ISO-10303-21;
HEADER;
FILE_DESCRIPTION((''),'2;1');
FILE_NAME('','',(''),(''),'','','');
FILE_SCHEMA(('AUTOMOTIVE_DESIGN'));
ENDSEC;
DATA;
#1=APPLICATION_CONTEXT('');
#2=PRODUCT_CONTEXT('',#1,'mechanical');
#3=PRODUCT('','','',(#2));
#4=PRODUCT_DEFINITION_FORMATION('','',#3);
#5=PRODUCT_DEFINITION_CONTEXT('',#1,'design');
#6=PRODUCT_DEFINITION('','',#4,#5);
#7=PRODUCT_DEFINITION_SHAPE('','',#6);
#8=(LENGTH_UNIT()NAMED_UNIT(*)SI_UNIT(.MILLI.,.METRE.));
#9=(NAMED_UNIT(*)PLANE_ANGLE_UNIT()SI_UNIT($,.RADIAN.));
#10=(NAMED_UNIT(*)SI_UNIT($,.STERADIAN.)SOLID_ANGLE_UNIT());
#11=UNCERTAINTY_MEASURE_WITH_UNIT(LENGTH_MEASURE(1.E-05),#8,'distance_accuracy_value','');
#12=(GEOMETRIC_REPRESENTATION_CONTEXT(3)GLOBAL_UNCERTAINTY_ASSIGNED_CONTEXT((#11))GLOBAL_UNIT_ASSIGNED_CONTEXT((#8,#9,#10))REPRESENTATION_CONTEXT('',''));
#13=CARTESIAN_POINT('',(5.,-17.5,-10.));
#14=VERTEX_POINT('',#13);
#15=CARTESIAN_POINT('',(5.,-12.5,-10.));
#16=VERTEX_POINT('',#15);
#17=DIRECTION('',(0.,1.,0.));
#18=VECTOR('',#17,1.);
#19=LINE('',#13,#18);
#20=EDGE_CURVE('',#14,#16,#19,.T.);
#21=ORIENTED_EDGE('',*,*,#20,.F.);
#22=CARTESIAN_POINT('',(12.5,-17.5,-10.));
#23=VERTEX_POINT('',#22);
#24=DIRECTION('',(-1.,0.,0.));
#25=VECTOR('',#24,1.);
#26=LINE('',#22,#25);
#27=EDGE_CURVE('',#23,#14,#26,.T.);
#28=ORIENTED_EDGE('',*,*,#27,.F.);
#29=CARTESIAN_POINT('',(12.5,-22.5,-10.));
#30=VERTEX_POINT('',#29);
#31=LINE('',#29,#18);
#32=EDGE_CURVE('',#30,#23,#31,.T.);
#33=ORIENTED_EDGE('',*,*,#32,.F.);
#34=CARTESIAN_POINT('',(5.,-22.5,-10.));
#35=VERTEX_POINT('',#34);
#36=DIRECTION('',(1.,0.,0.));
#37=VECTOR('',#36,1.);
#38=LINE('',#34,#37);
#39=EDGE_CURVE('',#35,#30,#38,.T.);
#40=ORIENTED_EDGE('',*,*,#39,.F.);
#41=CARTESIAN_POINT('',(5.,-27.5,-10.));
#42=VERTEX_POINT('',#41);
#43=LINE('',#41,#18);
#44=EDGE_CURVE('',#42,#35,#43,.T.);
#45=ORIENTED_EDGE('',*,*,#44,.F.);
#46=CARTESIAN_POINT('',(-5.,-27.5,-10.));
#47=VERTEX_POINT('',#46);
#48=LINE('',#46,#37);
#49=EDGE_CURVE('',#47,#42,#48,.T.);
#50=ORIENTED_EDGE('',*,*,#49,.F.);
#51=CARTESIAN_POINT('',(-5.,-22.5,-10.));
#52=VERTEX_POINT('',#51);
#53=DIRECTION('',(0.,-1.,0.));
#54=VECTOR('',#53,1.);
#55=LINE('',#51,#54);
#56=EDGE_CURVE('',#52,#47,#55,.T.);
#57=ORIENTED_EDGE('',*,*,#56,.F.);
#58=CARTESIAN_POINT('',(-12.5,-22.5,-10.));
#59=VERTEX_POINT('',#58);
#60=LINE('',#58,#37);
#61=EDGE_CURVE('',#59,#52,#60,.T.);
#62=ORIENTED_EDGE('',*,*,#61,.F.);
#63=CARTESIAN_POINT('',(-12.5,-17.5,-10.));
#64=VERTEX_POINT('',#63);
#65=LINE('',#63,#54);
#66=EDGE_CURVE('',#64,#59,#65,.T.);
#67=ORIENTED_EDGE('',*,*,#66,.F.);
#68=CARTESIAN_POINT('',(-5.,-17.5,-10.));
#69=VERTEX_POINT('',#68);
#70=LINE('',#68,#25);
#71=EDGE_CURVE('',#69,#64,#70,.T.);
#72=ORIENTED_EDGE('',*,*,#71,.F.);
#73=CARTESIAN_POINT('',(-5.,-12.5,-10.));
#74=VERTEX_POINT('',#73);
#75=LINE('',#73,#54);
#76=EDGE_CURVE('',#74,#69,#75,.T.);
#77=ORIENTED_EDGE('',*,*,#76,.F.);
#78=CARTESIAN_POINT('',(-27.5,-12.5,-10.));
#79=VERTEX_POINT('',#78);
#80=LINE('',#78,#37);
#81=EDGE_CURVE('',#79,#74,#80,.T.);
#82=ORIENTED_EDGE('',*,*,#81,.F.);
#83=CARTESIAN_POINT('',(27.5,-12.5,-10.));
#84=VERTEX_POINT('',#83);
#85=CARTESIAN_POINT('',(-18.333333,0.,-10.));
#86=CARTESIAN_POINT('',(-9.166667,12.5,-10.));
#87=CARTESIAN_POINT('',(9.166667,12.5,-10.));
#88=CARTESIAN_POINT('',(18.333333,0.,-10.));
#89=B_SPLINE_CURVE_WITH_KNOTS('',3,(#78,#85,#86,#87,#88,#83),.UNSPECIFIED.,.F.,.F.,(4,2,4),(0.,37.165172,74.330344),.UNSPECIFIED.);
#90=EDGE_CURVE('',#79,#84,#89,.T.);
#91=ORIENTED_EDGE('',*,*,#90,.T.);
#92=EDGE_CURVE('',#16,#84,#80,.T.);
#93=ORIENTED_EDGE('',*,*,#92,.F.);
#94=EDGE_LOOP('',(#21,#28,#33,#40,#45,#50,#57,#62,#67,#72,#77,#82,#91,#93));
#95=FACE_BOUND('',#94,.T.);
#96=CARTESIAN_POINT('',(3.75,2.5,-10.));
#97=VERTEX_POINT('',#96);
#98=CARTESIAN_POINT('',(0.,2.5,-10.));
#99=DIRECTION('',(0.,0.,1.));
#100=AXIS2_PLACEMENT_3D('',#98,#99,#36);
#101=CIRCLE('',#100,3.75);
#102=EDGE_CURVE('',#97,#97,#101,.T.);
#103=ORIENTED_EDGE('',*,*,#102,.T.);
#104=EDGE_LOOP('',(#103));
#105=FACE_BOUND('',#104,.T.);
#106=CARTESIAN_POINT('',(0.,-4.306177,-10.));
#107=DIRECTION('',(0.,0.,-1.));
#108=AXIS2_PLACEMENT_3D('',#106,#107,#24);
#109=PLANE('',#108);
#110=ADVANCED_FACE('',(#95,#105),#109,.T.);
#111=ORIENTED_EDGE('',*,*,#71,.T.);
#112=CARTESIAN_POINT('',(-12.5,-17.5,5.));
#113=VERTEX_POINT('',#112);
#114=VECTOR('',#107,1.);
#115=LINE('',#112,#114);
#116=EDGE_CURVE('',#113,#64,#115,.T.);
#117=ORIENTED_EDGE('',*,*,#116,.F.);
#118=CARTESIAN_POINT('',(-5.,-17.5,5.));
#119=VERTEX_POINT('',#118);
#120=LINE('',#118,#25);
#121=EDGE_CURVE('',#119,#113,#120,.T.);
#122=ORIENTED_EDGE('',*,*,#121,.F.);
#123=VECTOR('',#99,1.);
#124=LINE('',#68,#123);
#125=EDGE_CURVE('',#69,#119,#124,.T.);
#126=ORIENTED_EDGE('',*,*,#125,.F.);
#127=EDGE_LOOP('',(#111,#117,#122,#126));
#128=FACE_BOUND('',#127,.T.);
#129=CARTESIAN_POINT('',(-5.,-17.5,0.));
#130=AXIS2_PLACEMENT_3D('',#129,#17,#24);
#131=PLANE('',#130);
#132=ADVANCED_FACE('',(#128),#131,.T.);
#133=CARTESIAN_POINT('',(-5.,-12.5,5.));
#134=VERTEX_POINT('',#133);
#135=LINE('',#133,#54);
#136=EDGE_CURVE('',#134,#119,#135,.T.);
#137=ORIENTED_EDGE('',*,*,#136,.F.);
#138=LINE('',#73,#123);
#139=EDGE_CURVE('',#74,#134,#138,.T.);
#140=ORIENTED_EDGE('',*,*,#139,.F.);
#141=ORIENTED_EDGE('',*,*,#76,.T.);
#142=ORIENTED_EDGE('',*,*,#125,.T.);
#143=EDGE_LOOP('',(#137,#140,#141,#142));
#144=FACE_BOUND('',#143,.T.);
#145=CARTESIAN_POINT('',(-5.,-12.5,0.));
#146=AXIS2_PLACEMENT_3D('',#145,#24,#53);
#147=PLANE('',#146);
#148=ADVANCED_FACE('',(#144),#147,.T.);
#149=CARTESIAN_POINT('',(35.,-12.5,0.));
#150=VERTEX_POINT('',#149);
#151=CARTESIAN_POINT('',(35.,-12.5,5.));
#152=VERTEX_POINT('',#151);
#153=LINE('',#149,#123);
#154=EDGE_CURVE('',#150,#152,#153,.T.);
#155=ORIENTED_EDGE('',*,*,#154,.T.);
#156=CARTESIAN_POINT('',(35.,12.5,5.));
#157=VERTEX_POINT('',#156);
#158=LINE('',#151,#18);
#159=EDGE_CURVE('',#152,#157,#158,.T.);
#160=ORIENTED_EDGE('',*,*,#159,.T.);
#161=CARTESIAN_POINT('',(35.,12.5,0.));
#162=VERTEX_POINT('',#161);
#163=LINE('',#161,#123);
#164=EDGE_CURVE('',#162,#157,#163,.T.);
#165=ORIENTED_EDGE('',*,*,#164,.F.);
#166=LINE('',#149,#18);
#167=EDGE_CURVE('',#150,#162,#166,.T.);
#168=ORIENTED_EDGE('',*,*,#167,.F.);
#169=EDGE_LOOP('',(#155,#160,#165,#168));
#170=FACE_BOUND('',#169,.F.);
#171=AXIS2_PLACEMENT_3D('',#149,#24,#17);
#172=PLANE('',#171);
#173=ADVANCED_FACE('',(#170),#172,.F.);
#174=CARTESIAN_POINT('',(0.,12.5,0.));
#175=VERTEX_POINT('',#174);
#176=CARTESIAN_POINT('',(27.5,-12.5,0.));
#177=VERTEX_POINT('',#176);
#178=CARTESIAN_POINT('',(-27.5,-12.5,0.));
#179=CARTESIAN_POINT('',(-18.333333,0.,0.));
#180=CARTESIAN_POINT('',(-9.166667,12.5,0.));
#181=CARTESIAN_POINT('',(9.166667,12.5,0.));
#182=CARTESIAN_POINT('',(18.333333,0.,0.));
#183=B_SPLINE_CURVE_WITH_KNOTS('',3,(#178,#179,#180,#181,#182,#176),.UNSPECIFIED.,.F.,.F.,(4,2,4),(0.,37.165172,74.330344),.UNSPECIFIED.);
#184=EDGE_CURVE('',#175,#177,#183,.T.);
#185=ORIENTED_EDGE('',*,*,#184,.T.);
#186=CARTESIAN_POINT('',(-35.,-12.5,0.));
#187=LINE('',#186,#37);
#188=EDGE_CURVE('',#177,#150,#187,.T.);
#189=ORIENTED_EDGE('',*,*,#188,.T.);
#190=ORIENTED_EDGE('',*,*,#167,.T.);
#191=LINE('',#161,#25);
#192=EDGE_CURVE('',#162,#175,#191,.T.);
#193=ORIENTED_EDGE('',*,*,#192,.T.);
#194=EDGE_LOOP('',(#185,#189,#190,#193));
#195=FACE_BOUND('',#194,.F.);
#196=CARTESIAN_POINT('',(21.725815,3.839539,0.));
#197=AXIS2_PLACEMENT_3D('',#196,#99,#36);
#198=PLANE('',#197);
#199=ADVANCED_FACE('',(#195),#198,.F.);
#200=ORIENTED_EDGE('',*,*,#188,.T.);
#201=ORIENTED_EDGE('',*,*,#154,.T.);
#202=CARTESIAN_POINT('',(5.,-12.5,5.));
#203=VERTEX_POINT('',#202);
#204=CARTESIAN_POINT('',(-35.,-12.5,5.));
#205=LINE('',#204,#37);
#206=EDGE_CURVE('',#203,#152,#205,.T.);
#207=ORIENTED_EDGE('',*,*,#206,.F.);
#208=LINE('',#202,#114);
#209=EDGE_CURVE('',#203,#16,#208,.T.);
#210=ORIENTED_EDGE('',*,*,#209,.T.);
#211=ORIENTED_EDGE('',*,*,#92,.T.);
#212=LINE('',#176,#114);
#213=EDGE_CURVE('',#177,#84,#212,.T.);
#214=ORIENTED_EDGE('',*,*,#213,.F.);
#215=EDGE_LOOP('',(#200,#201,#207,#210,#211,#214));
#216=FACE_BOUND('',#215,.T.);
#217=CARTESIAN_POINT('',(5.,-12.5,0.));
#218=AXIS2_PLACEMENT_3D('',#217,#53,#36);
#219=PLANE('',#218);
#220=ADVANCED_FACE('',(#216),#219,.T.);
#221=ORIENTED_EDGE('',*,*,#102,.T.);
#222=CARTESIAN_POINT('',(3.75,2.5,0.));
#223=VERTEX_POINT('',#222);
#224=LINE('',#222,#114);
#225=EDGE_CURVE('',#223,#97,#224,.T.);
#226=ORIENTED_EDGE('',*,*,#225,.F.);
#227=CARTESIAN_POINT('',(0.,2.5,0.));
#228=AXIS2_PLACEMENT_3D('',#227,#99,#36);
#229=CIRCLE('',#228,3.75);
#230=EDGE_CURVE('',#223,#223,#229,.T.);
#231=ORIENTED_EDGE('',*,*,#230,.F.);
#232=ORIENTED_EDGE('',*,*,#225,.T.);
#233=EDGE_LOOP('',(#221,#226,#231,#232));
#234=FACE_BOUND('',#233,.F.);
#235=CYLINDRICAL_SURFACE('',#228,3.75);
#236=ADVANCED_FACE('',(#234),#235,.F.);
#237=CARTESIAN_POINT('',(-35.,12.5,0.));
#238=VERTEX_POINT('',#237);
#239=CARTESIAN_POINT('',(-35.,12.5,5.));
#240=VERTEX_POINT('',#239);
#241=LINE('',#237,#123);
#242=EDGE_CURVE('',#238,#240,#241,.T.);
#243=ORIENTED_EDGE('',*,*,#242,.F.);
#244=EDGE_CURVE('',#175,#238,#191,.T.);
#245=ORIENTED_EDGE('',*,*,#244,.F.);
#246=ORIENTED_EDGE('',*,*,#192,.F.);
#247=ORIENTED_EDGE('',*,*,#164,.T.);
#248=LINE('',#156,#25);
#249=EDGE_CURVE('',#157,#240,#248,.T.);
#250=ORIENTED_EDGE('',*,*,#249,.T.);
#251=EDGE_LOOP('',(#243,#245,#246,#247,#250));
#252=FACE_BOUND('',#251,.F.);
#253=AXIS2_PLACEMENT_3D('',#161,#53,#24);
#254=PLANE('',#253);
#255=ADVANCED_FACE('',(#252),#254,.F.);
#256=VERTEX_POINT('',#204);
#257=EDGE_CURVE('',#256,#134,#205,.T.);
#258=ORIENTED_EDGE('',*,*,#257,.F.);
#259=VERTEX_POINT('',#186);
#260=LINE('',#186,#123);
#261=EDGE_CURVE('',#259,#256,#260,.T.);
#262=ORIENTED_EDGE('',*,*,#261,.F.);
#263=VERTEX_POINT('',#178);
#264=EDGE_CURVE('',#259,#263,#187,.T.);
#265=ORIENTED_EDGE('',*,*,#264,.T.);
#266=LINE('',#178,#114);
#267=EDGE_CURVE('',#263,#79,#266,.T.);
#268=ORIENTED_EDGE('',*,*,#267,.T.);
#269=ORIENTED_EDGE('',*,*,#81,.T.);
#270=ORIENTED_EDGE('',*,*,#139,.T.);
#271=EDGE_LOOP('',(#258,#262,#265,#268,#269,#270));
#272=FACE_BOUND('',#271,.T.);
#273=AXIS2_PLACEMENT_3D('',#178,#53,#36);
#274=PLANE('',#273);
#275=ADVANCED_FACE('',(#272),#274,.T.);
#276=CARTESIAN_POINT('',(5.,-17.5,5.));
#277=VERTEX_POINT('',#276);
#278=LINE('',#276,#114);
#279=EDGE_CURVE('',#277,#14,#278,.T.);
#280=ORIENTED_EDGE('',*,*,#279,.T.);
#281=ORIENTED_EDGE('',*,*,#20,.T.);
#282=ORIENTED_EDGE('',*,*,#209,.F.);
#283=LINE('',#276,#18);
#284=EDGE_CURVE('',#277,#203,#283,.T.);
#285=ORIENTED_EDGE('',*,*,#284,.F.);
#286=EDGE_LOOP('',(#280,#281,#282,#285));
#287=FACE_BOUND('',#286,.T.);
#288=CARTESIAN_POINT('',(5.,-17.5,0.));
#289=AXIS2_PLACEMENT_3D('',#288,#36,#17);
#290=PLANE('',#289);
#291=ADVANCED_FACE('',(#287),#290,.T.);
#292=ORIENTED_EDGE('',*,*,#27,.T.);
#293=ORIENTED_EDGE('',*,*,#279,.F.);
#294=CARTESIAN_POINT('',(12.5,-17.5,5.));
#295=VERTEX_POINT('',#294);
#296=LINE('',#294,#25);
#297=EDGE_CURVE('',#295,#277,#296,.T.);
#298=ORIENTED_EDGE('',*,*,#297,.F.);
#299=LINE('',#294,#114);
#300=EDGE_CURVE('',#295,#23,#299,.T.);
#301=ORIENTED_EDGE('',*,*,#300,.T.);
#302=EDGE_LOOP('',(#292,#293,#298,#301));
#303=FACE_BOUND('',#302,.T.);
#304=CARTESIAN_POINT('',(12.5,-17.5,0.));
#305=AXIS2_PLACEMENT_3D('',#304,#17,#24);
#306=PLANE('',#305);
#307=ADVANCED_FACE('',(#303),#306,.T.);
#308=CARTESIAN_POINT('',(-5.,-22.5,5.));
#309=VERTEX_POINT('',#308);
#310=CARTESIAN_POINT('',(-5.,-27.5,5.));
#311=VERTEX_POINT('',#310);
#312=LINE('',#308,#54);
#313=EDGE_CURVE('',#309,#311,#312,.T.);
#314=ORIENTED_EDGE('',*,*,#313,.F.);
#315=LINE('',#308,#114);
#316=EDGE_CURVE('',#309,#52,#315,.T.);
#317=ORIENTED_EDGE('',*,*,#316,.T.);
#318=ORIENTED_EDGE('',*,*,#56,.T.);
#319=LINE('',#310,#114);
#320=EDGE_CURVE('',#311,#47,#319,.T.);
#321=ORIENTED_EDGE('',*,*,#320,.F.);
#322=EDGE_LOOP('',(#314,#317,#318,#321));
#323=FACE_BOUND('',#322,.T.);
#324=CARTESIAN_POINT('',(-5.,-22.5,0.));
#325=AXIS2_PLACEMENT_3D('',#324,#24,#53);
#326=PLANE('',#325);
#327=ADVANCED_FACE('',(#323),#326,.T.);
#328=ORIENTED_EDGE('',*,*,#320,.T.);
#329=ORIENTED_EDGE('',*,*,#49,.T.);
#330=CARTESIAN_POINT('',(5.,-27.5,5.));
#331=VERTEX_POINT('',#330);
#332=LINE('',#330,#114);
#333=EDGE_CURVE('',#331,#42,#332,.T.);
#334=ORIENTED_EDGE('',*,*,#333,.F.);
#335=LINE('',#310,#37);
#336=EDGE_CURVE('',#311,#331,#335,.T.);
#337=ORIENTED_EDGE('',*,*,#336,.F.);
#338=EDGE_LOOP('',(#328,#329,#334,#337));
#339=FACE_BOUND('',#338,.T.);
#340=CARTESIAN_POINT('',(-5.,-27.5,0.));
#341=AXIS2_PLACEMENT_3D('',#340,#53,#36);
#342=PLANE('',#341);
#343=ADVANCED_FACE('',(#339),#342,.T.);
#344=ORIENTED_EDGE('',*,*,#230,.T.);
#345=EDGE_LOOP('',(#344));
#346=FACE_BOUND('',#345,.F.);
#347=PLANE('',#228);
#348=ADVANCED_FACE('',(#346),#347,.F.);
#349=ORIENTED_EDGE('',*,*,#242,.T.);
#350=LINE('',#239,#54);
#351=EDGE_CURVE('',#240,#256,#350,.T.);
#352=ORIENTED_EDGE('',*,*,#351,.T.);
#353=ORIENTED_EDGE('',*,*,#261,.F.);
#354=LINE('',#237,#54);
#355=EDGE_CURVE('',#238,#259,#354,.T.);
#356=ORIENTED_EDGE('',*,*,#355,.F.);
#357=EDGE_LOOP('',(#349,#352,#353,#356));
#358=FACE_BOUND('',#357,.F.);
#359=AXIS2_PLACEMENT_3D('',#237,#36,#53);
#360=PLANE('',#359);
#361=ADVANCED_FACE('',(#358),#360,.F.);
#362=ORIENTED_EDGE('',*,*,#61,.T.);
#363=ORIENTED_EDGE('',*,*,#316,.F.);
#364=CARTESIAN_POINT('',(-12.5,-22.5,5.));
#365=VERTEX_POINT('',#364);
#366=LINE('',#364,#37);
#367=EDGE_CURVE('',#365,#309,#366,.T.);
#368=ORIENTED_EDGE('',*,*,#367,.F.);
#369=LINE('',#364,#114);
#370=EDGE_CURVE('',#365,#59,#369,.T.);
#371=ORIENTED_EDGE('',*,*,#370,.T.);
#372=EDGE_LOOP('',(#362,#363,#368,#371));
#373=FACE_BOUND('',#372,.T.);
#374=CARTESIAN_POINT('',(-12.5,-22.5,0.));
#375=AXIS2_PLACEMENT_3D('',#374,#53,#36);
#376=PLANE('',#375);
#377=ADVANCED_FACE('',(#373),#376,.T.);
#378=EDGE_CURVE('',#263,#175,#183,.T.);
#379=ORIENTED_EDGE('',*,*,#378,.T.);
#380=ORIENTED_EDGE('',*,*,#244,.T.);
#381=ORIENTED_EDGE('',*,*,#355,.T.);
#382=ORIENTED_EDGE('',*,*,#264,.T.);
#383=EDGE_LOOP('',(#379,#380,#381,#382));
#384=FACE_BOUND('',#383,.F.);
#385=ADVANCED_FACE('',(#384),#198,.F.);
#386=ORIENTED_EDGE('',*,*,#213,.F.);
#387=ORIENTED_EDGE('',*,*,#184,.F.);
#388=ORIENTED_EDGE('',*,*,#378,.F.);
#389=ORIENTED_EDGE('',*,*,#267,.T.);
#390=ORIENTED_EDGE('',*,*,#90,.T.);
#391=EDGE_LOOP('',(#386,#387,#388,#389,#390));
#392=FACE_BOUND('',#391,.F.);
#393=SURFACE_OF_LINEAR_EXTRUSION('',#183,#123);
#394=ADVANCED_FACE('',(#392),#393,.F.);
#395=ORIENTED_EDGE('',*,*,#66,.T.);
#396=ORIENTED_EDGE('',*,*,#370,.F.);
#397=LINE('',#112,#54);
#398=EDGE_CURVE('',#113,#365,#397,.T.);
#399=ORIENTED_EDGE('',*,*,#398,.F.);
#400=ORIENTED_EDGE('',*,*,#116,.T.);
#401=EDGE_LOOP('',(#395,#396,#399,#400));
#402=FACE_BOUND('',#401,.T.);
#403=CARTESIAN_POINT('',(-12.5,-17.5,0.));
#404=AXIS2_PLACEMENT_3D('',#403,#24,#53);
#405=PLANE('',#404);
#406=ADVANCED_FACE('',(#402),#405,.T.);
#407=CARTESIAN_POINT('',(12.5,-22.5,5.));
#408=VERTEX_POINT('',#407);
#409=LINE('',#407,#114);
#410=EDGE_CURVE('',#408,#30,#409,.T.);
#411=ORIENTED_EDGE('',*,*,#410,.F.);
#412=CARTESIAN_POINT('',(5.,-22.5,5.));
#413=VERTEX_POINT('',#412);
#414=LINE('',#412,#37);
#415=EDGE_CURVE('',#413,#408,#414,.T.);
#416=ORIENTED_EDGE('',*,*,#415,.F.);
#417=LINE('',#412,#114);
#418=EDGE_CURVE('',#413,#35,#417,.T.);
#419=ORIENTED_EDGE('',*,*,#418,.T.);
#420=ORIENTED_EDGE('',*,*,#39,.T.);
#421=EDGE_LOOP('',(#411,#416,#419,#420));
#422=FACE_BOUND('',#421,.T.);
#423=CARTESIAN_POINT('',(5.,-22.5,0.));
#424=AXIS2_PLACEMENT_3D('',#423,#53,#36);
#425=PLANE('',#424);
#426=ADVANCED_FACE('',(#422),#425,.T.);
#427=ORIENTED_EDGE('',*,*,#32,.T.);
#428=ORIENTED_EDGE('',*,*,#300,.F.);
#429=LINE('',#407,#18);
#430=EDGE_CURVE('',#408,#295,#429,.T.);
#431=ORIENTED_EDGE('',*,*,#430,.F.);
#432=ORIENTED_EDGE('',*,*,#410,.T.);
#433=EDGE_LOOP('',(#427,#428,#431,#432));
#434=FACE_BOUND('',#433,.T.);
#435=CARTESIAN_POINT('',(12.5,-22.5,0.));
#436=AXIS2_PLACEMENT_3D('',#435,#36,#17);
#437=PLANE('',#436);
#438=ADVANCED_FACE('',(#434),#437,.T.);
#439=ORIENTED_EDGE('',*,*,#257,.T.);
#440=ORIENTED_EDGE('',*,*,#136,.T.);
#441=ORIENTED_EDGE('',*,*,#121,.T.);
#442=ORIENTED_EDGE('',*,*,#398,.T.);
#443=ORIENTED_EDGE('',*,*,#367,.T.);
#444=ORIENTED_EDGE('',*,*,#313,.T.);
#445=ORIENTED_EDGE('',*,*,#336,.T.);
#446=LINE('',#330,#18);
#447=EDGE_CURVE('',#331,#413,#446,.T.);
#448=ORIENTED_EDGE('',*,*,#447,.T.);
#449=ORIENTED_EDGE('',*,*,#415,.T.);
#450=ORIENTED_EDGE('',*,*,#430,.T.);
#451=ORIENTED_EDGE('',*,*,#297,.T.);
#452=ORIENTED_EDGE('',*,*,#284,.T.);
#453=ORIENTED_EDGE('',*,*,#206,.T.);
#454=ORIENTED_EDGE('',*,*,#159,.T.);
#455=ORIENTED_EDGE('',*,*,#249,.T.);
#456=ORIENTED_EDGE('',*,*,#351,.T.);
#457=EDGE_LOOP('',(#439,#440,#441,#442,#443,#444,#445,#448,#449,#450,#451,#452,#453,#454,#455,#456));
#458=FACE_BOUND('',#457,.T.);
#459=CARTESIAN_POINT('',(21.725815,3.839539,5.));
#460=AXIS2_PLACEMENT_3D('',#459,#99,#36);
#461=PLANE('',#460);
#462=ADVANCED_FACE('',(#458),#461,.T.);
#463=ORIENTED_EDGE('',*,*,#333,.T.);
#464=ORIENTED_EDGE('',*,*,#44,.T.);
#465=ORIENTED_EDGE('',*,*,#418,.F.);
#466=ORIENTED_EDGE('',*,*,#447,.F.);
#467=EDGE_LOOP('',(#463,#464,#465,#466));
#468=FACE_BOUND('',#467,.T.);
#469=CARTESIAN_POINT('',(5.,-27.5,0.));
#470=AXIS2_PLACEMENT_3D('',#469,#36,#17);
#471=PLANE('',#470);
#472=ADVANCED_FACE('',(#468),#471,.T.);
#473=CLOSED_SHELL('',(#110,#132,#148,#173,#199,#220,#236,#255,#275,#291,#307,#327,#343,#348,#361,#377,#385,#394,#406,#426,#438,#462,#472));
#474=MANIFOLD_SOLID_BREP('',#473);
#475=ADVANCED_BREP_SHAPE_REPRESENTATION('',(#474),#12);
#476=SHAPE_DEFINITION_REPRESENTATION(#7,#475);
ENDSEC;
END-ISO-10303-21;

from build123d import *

# Parameters (mm, degrees)
F0_R     = 3.75
F1_DEPTH = 5
F2_DEPTH = 10
F3_DEPTH = 5


with BuildPart() as f1:
    # F0 (on Top) → F1 (new body)
    with BuildSketch(Plane.XY):
        with BuildLine():
            Line((35, 12.5), (0, 12.5))
            add(Edge.make_bspline(
                [(0, 12.5), (9.166667, 12.5), (18.333333, 0), (27.5, -12.5)],
                knots=[37.165172, 37.165172, 37.165172, 37.165172, 74.330344, 74.330344, 74.330344, 74.330344], degree=3))
            Line((27.5, -12.5), (35, -12.5))
            Line((35, -12.5), (35, 12.5))
        make_face()
        with BuildLine():
            Line((0, 12.5), (-35, 12.5))
            Line((-35, 12.5), (-35, -12.5))
            Line((-35, -12.5), (-27.5, -12.5))
            add(Edge.make_bspline(
                [(-27.5, -12.5), (-18.333333, 0), (-9.166667, 12.5), (0, 12.5)],
                knots=[0, 0, 0, 0, 37.165172, 37.165172, 37.165172, 37.165172], degree=3))
        make_face()
        with BuildLine():
            add(Edge.make_bspline(
                [(0, 12.5), (9.166667, 12.5), (18.333333, 0), (27.5, -12.5)],
                knots=[37.165172, 37.165172, 37.165172, 37.165172, 74.330344, 74.330344, 74.330344, 74.330344], degree=3))
            add(Edge.make_bspline(
                [(-27.5, -12.5), (-18.333333, 0), (-9.166667, 12.5), (0, 12.5)],
                knots=[0, 0, 0, 0, 37.165172, 37.165172, 37.165172, 37.165172], degree=3))
            Line((-27.5, -12.5), (-5, -12.5))
            Line((-5, -12.5), (5, -12.5))
            Line((5, -12.5), (27.5, -12.5))
        make_face()
        with Locations((0, 2.5)):
            Circle(F0_R, mode=Mode.SUBTRACT)
        Polygon((5, -12.5), (-5, -12.5), (-5, -17.5), (-12.5, -17.5), (-12.5, -22.5), (-5, -22.5), (-5, -27.5), (0, -27.5), (5, -27.5), (5, -22.5), (12.5, -22.5), (12.5, -17.5), (5, -17.5), align=None)
    extrude(amount=F1_DEPTH)

    # F0 (on Top) → F2 (join)
    with BuildSketch(Plane.XY):
        with BuildLine():
            add(Edge.make_bspline(
                [(0, 12.5), (9.166667, 12.5), (18.333333, 0), (27.5, -12.5)],
                knots=[37.165172, 37.165172, 37.165172, 37.165172, 74.330344, 74.330344, 74.330344, 74.330344], degree=3))
            add(Edge.make_bspline(
                [(-27.5, -12.5), (-18.333333, 0), (-9.166667, 12.5), (0, 12.5)],
                knots=[0, 0, 0, 0, 37.165172, 37.165172, 37.165172, 37.165172], degree=3))
            Line((-27.5, -12.5), (-5, -12.5))
            Line((-5, -12.5), (5, -12.5))
            Line((5, -12.5), (27.5, -12.5))
        make_face()
        with Locations((0, 2.5)):
            Circle(F0_R, mode=Mode.SUBTRACT)
        Polygon((5, -12.5), (-5, -12.5), (-5, -17.5), (-12.5, -17.5), (-12.5, -22.5), (-5, -22.5), (-5, -27.5), (0, -27.5), (5, -27.5), (5, -22.5), (12.5, -22.5), (12.5, -17.5), (5, -17.5), align=None)
    extrude(amount=-F2_DEPTH)

    # F0 (on Top) → F3 (join)
    with BuildSketch(Plane.XY):
        with Locations((0, 2.5)):
            Circle(F0_R)
    extrude(amount=F3_DEPTH)


solid = f1.part
